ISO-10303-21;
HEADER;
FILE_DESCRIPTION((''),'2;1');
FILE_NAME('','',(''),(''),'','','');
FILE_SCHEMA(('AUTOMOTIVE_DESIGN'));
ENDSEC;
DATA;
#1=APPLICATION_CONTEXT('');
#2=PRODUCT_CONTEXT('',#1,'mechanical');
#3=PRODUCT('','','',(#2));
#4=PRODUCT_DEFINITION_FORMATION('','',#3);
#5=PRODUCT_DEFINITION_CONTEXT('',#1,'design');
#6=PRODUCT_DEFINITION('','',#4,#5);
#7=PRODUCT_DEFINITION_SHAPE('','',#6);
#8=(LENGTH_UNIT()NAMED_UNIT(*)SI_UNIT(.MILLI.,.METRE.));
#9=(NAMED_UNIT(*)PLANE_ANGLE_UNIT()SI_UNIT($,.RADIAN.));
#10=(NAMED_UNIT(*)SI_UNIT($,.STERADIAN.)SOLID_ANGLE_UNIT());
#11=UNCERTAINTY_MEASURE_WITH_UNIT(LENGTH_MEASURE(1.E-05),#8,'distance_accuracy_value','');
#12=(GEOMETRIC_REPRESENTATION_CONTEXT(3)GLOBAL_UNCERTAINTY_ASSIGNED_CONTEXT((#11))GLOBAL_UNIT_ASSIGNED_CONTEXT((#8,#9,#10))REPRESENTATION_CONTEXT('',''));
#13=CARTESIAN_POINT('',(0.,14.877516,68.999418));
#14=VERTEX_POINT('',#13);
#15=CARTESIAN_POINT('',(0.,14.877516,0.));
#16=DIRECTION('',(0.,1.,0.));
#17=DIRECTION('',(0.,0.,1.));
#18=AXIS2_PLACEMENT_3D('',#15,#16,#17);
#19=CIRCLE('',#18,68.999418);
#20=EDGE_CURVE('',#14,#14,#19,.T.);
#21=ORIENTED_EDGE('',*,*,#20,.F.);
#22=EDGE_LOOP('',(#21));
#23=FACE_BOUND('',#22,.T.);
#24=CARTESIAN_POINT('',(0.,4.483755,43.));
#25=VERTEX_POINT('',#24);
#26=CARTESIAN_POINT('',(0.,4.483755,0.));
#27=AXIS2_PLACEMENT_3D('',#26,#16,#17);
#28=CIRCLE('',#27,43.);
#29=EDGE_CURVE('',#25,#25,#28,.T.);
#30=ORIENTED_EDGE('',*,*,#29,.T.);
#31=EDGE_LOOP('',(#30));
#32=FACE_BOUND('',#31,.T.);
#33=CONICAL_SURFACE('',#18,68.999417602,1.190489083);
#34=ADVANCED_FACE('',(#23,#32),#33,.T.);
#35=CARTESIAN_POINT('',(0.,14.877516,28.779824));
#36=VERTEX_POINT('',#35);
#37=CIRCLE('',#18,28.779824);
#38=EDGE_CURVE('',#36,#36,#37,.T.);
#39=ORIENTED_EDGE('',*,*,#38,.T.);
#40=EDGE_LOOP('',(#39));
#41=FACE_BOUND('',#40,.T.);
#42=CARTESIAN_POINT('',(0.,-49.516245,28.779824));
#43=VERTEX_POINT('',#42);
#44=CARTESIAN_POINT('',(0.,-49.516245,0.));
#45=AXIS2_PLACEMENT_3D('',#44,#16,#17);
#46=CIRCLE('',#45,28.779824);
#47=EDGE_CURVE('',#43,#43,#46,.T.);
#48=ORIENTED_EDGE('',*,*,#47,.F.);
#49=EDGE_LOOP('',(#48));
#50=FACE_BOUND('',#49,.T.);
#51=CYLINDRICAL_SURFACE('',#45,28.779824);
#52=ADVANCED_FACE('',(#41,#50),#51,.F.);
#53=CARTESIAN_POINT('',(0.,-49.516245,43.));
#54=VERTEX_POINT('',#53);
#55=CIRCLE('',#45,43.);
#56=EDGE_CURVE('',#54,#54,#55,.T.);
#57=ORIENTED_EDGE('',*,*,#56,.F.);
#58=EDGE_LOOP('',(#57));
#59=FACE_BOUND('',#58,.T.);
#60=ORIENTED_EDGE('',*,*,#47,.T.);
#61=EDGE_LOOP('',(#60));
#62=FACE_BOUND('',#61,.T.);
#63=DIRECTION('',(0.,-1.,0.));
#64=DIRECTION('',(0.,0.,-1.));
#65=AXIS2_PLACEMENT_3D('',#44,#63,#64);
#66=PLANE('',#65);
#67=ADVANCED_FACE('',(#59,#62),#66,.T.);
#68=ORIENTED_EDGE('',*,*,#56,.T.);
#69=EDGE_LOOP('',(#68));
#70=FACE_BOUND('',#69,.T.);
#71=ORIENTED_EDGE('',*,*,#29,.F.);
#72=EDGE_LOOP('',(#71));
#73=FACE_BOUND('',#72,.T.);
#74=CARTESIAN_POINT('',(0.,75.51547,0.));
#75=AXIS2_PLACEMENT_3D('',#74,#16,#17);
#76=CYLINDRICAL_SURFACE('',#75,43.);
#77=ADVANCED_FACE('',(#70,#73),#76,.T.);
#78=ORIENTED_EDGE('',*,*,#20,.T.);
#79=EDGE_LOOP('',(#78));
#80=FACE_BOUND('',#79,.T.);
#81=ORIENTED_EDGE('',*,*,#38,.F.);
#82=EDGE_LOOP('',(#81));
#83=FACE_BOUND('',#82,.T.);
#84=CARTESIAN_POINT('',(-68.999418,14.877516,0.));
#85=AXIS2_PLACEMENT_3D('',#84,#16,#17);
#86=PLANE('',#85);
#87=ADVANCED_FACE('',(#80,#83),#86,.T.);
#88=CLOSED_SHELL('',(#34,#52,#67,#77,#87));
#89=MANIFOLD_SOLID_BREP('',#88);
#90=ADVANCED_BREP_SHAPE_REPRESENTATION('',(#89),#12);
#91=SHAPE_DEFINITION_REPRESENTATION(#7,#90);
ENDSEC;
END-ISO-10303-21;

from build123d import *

# Parameters (mm, degrees)
SKETCH2_R          = 28.779824358
CUT_EXTRUDE1_DEPTH = 117.91191478


with BuildPart() as part:
    # Sketch1 → Revolve1 (revolve)
    with BuildSketch(Plane.XY, mode=Mode.PRIVATE) as revolve1_sk:
        Polygon((0, -49.516245434), (-43, -49.516245434), (-43, 4.483754566), (-68.999417602, 14.877516366), (0, 14.877516366), align=None)
    revolve(revolve1_sk.sketch.rotate(Axis((0, 75.515469597, 0), (0, -1, 0)), 270), axis=Axis((0, 75.515469597, 0), (0, -1, 0)))

    # Sketch2 → Cut-Extrude1 (cut, through all)
    with BuildSketch(Plane(origin=(0, 14.877516366, 0), x_dir=(1, 0, 0), z_dir=(0, 1, 0))):
        with Locations(Location((0, 0, 0), (0, 0, 270))):
            Circle(SKETCH2_R)
    extrude(amount=-CUT_EXTRUDE1_DEPTH, mode=Mode.SUBTRACT)


solid = part.part
